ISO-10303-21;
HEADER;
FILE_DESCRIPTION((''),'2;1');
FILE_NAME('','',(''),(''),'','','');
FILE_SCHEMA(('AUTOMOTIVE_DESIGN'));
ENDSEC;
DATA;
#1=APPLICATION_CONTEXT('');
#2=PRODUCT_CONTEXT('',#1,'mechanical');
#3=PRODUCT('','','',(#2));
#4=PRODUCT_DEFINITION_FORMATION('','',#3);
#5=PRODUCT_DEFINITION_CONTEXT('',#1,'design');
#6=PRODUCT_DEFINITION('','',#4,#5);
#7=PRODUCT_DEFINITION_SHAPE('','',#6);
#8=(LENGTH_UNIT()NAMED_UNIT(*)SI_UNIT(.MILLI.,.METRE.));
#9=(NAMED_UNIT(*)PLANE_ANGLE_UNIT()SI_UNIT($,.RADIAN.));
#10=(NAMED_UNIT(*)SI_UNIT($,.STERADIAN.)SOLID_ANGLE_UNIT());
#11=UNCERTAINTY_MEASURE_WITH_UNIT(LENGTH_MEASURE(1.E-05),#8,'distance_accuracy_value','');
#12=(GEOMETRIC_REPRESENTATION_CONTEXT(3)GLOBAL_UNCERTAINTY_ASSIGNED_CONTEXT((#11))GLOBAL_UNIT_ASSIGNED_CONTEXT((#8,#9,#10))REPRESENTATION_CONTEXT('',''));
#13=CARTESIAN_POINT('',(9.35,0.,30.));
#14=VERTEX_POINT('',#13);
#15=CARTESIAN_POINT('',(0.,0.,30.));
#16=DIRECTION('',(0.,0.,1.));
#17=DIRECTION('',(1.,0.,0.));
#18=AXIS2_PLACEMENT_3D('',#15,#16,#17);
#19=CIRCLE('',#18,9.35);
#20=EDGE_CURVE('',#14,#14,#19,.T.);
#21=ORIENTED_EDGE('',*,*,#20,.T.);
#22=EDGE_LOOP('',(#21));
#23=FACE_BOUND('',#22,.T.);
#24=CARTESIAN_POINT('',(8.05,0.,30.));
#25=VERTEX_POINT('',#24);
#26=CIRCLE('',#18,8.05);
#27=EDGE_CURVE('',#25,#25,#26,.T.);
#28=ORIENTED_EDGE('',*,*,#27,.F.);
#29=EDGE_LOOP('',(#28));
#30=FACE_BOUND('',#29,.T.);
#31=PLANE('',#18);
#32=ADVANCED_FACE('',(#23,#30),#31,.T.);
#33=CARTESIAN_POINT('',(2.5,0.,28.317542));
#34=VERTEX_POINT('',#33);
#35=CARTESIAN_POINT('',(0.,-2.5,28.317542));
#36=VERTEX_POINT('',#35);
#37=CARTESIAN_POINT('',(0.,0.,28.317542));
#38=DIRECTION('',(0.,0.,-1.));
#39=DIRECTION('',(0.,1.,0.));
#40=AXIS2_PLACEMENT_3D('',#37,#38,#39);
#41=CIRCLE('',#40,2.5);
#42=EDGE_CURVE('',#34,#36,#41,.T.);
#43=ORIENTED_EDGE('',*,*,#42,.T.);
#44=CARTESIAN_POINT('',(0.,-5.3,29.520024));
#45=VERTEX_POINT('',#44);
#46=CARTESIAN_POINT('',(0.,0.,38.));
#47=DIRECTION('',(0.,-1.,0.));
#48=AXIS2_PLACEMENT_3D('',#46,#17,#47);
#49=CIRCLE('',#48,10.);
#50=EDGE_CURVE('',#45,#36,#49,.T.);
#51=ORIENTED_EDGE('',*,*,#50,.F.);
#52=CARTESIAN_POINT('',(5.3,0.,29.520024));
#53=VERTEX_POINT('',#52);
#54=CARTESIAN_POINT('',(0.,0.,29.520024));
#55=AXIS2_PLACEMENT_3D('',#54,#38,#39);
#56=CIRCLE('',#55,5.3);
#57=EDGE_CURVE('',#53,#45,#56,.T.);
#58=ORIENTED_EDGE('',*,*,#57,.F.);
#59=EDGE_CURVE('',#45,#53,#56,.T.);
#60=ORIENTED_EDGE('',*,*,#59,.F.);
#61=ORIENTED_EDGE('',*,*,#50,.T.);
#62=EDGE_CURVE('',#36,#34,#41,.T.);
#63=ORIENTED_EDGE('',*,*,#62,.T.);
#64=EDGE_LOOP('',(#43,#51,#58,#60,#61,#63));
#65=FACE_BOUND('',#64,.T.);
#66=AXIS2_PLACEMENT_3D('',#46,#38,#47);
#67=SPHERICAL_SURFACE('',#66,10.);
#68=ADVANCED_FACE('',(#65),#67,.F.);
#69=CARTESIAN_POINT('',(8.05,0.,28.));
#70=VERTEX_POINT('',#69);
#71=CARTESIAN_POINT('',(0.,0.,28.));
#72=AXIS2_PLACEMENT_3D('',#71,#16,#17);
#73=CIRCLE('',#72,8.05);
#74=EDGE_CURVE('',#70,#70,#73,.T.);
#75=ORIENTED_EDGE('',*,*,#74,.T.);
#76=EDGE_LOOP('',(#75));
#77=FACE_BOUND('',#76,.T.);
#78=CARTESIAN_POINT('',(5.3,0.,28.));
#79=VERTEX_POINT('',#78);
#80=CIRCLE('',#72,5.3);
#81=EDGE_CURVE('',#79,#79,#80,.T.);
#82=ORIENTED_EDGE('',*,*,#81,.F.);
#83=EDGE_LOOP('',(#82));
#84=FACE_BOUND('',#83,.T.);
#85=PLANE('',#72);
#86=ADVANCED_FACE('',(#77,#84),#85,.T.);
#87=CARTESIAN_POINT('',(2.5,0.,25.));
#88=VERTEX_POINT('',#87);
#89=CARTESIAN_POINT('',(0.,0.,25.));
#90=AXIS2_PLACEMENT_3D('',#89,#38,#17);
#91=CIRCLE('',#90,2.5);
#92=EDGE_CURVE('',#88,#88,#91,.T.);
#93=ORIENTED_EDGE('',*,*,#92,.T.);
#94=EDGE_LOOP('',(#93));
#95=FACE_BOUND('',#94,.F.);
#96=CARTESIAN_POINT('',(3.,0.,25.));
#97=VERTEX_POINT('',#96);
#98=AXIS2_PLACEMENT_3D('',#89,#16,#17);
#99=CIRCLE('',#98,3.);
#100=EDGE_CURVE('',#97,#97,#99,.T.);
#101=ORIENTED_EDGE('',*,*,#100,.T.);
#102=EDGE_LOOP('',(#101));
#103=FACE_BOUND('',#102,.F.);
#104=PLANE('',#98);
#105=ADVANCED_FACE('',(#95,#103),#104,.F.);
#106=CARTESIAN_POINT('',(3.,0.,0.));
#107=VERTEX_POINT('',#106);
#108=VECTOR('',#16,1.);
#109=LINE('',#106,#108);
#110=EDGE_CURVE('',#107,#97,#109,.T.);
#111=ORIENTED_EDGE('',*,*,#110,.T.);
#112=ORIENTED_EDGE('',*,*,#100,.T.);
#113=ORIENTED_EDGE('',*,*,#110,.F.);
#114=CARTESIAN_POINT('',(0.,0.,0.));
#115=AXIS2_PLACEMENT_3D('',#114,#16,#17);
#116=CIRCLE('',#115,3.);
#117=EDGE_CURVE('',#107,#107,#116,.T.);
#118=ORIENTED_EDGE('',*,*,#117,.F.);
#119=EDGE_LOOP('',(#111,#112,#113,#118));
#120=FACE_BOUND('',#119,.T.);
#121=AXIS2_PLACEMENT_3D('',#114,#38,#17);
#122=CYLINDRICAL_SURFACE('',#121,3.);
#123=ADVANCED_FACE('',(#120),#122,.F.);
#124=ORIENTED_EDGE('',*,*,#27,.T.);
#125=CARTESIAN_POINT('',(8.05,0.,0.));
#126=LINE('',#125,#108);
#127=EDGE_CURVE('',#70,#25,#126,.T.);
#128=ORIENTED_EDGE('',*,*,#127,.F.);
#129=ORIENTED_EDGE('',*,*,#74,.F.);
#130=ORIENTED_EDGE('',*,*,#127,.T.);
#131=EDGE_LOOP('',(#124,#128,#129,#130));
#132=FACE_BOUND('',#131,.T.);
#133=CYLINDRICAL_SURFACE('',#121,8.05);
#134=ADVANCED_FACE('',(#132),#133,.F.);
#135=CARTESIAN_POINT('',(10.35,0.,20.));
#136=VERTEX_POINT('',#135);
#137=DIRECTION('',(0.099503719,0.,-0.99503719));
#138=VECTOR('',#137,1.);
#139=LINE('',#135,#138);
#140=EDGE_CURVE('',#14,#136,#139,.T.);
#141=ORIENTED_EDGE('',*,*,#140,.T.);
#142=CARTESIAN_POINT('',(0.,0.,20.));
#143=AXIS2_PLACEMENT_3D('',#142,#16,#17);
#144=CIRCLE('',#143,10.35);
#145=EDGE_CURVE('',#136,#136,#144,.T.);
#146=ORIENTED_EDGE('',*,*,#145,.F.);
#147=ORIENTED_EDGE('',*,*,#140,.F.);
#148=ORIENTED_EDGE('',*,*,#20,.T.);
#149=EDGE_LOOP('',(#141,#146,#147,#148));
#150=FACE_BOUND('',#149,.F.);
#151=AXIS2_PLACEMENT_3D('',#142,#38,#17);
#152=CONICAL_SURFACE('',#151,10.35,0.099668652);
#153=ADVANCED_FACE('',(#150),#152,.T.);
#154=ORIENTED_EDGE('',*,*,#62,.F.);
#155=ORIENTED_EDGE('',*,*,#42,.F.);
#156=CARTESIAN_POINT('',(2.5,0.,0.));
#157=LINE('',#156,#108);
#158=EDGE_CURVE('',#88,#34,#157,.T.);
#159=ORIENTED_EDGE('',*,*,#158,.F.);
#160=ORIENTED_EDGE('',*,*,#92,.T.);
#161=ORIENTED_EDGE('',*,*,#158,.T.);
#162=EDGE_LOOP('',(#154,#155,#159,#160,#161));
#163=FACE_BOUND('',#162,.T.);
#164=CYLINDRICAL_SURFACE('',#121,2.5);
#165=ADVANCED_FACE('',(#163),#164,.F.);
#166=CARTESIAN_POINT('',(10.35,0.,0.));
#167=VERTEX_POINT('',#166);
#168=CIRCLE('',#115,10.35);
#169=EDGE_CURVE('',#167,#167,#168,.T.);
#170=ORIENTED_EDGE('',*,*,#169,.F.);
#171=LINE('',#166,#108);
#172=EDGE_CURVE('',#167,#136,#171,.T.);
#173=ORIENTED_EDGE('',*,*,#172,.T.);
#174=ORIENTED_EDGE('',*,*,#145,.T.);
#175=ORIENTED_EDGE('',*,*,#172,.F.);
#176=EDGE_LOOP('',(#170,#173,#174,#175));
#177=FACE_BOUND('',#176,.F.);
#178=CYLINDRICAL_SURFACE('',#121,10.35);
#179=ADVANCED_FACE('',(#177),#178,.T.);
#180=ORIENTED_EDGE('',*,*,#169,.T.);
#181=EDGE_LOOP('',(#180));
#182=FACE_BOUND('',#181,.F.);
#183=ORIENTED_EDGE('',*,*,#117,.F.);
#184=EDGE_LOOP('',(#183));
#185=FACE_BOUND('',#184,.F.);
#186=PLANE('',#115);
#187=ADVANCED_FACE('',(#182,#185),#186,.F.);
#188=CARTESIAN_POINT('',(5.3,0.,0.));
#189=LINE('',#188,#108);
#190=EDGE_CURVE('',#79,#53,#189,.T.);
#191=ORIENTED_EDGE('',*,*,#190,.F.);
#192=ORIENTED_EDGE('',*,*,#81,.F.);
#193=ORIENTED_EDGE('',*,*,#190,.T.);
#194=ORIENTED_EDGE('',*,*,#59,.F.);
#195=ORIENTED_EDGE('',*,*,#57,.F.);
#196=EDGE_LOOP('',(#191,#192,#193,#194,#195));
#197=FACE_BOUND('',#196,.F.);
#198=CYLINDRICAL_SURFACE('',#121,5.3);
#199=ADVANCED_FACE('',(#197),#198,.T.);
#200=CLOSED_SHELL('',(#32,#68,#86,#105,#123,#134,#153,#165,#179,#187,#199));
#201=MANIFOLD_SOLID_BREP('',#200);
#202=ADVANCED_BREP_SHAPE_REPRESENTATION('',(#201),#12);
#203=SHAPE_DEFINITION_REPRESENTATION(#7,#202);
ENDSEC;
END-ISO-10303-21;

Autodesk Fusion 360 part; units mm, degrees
sketch "Sketch1" plane through (0, 0, 0) normal (0, 0, 1) x (1, 0, 0)
  circle A0 centre (0, 0) radius 5.3
  circle A1 centre (0, 0) radius 8.05
  circle A2 centre (0, 0) radius 10.35
  circle A3 centre (0, 0) radius 2.5
  circle A4 centre (0, 0) radius 3
  dimension "d1" = 10.6
  dimension "d2" = 16.1
  dimension "d3" = 20.7
  dimension "d8" = 5
  dimension "d9" = 6
extrude "Extrude1" add sketch "Sketch1" along normal blind 30 contours A0 | A2 | A4 makes body 1 at (10.2986, -1.0305, 20) makes body 2 at (5.2737, -0.5277, 20)
extrude "Extrude2" add sketch "Sketch1" along normal blind 28 contours A1 bodies 1 2
extrude "Extrude3" cut sketch "Sketch1" along normal blind 25 contours A3 | A4 bodies 1
chamfer "Chamfer1" distance 1 distance2 10 1 edges at (-9.6496, -3.7427, 30) measured on face at (9.5148, -0.9141, 30) on bodies 1
sketch "Sketch2" plane through (0, 0, 0) normal (1, 0, 0) x (0, 0, -1)
  arc A0 (-38, -10) -> (-28, 0) centre (-38, 0) ccw
  line L0 (-28, 0) -> (-38, 0)
  line L1 (-38, 0) -> (-38, -10)
  line L2 (-1.75, 0) -> (-22.5, 0)
  dimension "d14" = 10
  dimension "d15" = 38
revolve "Revolve1" cut sketch "Sketch2" angle 360 about axis through (0, 0, 28) along (0, 0, 1) bodies 1
equation "d8 = draadstang - 2 * draadstangtolerance"
equation "d9 = draadstang"
equation "draadstang = 6 mm"
equation "draadstangtolerance = 0.5 mm"
